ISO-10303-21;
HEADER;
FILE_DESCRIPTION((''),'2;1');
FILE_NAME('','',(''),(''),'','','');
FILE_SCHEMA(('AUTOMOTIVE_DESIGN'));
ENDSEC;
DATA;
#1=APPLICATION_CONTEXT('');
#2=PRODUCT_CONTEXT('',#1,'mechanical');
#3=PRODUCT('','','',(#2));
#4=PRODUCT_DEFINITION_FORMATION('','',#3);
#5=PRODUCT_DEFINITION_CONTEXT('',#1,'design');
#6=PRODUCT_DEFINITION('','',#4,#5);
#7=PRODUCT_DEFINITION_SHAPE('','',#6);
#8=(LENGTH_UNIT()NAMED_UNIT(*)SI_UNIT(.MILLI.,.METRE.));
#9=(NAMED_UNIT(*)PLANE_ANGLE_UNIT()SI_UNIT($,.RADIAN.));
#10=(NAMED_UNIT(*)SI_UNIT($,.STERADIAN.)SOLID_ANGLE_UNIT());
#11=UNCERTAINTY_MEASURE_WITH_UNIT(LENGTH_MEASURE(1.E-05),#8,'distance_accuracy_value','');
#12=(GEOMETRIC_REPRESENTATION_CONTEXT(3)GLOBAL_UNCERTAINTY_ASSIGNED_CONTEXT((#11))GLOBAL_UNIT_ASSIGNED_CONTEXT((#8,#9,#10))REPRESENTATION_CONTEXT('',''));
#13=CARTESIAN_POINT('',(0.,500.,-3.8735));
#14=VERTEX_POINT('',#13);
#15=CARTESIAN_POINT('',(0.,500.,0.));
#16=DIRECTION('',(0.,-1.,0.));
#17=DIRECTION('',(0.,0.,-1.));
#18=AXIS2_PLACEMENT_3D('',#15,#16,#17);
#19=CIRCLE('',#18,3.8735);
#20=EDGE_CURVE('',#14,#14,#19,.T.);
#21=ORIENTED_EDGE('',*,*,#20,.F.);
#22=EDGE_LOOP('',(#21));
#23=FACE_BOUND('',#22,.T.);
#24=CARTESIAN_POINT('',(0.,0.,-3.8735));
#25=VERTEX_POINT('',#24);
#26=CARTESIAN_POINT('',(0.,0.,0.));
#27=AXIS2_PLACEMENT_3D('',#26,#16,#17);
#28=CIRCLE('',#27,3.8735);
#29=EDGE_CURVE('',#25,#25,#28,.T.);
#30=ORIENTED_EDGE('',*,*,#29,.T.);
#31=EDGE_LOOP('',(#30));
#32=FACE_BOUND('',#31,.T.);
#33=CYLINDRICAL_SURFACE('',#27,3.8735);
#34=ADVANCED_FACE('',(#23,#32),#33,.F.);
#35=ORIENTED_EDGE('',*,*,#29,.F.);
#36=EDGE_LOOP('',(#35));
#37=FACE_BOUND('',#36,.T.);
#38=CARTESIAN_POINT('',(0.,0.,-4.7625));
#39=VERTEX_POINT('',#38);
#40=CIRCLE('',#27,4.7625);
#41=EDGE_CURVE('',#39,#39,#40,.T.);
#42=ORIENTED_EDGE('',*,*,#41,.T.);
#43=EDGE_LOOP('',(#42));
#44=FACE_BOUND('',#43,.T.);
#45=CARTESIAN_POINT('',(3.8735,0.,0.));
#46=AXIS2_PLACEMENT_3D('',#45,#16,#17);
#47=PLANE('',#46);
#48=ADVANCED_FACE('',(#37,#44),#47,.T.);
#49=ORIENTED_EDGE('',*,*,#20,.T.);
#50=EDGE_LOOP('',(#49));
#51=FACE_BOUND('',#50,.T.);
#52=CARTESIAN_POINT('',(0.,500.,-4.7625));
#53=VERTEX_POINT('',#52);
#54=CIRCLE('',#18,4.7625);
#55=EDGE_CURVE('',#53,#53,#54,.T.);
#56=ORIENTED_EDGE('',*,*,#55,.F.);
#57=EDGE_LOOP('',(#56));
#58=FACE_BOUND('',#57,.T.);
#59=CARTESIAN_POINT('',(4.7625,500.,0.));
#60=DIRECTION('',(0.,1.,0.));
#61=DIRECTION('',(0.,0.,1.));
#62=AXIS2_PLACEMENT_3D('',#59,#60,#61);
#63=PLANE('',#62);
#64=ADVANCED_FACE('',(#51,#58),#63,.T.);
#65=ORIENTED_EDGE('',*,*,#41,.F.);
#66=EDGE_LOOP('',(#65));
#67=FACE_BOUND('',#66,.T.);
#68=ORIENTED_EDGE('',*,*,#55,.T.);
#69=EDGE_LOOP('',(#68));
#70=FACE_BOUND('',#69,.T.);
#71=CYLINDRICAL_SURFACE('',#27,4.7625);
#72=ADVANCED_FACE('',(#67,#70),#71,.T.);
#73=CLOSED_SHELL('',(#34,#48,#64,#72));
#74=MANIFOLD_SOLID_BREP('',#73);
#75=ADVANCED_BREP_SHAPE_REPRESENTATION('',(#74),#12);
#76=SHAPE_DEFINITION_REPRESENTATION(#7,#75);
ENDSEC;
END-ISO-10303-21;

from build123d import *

# Parameters (mm, degrees)
SKETCH1_W = 0.889
SKETCH1_H = 500


with BuildPart() as part:
    # Sketch1 → Revolve1 (revolve)
    with BuildSketch(Plane.XY):
        with Locations((4.318, 250)):
            Rectangle(SKETCH1_W, SKETCH1_H)
    revolve(axis=Axis((0, 0, 0), (0, 1, 0)))


solid = part.part
